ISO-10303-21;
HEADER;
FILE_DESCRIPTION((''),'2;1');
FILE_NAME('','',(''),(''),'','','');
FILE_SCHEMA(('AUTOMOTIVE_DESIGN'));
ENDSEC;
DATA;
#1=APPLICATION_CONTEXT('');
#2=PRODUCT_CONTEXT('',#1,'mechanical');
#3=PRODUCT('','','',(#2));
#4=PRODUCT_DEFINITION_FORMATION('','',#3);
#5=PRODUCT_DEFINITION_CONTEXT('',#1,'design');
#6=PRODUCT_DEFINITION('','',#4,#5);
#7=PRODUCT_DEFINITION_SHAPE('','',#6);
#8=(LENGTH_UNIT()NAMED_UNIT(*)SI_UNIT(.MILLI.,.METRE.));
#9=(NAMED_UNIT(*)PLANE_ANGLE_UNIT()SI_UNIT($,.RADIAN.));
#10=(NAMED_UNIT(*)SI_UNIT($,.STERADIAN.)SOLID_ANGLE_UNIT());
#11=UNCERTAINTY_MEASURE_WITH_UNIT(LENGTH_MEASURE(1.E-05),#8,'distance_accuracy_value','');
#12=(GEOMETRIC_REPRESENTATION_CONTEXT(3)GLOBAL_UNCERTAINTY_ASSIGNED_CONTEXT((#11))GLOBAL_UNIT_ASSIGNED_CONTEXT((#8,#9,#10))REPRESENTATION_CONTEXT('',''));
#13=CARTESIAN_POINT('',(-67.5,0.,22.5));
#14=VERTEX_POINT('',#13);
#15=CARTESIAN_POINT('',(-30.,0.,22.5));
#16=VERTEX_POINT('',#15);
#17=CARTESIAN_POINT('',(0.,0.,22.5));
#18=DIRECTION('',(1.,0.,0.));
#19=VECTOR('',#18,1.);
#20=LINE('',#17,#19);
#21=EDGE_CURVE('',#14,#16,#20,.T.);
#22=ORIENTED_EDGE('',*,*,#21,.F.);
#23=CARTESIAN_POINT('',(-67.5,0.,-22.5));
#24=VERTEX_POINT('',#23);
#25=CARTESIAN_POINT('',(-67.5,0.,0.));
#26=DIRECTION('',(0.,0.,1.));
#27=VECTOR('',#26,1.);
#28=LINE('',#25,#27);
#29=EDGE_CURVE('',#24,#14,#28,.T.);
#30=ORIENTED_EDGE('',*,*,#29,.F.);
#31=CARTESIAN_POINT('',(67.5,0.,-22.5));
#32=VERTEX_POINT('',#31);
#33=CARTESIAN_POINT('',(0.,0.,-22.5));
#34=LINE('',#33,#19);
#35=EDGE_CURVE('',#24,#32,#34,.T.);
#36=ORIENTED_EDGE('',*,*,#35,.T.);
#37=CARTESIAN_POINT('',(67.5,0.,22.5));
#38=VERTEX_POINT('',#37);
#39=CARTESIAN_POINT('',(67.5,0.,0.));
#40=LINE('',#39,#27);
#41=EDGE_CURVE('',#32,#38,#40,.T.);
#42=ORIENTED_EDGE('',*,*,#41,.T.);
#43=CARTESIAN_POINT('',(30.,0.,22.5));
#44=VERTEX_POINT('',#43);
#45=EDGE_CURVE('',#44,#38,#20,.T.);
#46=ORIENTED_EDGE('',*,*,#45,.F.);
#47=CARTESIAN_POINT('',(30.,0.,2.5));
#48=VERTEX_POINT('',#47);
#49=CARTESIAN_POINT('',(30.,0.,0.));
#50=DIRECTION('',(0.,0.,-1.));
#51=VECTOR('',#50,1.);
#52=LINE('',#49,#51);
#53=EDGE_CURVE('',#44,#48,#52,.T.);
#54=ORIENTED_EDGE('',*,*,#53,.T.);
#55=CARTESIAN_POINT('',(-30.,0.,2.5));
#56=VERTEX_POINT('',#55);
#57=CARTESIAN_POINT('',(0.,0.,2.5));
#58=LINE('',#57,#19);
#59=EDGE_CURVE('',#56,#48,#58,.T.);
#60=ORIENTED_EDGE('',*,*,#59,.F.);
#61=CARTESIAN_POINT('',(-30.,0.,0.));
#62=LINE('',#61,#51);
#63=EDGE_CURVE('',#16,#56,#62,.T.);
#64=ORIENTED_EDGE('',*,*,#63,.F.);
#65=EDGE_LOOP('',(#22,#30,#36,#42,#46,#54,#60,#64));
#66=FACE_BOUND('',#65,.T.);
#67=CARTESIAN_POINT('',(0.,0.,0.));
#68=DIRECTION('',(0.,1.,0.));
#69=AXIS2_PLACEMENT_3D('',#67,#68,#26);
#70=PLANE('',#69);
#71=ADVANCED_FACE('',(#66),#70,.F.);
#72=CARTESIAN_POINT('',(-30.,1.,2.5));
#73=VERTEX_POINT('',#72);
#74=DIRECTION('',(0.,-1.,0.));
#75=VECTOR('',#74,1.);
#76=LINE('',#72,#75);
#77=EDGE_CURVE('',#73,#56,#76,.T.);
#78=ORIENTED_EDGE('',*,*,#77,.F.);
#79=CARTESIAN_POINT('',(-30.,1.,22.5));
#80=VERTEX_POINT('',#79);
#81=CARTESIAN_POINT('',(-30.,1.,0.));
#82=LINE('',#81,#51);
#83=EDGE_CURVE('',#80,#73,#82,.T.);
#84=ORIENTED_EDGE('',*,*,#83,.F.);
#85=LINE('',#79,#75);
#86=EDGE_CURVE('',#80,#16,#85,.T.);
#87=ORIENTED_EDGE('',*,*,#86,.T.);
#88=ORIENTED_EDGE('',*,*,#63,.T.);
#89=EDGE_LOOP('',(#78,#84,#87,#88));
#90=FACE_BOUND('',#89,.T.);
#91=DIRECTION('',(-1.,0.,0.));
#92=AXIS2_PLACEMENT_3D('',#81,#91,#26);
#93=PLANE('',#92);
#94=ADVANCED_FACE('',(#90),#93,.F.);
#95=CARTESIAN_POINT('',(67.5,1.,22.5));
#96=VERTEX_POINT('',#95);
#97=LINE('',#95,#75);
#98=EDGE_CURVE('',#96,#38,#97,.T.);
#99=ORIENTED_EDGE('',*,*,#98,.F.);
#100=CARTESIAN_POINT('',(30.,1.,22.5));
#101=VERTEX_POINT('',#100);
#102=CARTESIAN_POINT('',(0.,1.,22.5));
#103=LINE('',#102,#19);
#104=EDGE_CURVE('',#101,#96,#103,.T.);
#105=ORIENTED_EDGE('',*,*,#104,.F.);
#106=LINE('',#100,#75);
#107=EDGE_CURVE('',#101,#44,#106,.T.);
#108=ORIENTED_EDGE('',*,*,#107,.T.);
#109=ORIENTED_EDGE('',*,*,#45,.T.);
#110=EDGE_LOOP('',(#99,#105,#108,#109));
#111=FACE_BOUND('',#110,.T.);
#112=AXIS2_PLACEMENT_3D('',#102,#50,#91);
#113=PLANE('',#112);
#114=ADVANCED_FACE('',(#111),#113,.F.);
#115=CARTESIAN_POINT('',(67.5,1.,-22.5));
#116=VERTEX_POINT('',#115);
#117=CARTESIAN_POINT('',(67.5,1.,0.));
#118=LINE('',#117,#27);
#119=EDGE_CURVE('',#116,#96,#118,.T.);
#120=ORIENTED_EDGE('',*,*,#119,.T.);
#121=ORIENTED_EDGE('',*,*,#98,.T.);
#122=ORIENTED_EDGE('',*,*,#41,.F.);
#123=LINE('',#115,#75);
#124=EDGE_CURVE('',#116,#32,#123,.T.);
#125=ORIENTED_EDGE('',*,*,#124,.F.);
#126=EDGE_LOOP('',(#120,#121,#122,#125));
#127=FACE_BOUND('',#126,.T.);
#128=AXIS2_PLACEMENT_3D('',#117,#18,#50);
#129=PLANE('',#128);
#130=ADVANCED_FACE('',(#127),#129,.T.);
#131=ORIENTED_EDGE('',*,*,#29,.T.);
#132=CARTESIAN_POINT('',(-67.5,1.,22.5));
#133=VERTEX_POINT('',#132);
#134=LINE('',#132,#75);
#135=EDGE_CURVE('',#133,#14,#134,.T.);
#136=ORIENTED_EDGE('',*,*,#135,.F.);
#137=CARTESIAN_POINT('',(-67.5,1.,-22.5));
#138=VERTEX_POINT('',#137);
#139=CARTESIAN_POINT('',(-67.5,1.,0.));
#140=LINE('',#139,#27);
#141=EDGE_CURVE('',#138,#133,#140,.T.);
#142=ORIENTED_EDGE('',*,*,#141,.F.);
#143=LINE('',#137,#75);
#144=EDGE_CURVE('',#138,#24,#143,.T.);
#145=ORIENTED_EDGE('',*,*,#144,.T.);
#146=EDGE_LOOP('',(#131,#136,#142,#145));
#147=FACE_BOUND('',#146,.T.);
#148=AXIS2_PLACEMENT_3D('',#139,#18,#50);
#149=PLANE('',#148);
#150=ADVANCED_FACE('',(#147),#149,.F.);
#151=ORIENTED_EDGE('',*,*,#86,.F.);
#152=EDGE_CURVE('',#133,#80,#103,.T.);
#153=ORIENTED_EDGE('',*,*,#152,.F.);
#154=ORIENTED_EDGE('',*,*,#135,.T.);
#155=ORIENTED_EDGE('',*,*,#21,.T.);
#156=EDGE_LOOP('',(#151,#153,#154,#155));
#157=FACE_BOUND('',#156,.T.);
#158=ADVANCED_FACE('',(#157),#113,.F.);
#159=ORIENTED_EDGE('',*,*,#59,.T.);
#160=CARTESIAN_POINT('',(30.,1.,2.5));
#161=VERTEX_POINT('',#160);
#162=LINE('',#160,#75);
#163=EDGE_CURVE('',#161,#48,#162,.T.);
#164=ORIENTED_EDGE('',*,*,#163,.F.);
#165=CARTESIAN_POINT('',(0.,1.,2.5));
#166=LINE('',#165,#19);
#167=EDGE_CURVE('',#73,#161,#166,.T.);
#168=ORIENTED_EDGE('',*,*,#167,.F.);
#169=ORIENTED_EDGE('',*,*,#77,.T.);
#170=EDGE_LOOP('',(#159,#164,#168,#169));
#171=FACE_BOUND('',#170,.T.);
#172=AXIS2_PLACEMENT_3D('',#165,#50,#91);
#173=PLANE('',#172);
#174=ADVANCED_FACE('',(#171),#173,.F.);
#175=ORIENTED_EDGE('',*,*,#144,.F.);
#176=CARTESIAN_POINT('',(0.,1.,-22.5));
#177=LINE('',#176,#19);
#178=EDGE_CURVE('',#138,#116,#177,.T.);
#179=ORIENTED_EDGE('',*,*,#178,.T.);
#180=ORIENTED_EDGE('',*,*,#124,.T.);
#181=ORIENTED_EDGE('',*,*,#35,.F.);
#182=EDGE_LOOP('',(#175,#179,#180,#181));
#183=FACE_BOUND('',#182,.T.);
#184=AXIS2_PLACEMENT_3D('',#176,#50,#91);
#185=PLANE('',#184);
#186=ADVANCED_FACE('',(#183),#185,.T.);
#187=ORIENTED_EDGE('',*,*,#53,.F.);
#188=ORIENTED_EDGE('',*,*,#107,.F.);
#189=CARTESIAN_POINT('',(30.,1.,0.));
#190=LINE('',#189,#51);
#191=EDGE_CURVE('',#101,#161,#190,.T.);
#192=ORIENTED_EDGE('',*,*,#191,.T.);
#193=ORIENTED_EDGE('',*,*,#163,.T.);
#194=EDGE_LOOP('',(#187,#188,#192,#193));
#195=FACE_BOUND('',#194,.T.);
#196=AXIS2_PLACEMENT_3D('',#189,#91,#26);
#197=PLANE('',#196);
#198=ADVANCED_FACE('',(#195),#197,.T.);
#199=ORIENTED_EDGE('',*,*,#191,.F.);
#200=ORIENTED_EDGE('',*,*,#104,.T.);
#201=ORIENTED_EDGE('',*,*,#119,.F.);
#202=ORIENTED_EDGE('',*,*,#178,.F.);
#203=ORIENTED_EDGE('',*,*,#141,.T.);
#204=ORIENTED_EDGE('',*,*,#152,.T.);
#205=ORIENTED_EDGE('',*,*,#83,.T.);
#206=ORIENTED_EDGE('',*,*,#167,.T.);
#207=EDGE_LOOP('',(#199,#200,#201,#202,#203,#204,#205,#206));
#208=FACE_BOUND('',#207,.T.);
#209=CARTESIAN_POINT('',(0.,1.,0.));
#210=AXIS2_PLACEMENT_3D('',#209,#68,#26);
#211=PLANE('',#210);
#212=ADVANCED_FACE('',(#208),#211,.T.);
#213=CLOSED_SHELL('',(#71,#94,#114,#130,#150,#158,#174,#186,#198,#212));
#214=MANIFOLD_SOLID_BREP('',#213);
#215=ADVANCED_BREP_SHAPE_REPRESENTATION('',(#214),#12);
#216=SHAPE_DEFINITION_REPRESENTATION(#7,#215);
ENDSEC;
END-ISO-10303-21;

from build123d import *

# Parameters (mm, degrees)
EXTRUDE_1_DEPTH = 1


with BuildPart() as part:
    # 草图1 → 凸台-拉伸1 (new body)
    with BuildSketch(Plane(origin=(0, 0, 0), x_dir=(1, 0, 0), z_dir=(0, 1, 0))):
        Polygon((67.5, 22.5), (-67.5, 22.5), (-67.5, -22.5), (-30, -22.5), (-30, -2.5), (30, -2.5), (30, -22.5), (67.5, -22.5), align=None)
    extrude(amount=EXTRUDE_1_DEPTH)


solid = part.part
